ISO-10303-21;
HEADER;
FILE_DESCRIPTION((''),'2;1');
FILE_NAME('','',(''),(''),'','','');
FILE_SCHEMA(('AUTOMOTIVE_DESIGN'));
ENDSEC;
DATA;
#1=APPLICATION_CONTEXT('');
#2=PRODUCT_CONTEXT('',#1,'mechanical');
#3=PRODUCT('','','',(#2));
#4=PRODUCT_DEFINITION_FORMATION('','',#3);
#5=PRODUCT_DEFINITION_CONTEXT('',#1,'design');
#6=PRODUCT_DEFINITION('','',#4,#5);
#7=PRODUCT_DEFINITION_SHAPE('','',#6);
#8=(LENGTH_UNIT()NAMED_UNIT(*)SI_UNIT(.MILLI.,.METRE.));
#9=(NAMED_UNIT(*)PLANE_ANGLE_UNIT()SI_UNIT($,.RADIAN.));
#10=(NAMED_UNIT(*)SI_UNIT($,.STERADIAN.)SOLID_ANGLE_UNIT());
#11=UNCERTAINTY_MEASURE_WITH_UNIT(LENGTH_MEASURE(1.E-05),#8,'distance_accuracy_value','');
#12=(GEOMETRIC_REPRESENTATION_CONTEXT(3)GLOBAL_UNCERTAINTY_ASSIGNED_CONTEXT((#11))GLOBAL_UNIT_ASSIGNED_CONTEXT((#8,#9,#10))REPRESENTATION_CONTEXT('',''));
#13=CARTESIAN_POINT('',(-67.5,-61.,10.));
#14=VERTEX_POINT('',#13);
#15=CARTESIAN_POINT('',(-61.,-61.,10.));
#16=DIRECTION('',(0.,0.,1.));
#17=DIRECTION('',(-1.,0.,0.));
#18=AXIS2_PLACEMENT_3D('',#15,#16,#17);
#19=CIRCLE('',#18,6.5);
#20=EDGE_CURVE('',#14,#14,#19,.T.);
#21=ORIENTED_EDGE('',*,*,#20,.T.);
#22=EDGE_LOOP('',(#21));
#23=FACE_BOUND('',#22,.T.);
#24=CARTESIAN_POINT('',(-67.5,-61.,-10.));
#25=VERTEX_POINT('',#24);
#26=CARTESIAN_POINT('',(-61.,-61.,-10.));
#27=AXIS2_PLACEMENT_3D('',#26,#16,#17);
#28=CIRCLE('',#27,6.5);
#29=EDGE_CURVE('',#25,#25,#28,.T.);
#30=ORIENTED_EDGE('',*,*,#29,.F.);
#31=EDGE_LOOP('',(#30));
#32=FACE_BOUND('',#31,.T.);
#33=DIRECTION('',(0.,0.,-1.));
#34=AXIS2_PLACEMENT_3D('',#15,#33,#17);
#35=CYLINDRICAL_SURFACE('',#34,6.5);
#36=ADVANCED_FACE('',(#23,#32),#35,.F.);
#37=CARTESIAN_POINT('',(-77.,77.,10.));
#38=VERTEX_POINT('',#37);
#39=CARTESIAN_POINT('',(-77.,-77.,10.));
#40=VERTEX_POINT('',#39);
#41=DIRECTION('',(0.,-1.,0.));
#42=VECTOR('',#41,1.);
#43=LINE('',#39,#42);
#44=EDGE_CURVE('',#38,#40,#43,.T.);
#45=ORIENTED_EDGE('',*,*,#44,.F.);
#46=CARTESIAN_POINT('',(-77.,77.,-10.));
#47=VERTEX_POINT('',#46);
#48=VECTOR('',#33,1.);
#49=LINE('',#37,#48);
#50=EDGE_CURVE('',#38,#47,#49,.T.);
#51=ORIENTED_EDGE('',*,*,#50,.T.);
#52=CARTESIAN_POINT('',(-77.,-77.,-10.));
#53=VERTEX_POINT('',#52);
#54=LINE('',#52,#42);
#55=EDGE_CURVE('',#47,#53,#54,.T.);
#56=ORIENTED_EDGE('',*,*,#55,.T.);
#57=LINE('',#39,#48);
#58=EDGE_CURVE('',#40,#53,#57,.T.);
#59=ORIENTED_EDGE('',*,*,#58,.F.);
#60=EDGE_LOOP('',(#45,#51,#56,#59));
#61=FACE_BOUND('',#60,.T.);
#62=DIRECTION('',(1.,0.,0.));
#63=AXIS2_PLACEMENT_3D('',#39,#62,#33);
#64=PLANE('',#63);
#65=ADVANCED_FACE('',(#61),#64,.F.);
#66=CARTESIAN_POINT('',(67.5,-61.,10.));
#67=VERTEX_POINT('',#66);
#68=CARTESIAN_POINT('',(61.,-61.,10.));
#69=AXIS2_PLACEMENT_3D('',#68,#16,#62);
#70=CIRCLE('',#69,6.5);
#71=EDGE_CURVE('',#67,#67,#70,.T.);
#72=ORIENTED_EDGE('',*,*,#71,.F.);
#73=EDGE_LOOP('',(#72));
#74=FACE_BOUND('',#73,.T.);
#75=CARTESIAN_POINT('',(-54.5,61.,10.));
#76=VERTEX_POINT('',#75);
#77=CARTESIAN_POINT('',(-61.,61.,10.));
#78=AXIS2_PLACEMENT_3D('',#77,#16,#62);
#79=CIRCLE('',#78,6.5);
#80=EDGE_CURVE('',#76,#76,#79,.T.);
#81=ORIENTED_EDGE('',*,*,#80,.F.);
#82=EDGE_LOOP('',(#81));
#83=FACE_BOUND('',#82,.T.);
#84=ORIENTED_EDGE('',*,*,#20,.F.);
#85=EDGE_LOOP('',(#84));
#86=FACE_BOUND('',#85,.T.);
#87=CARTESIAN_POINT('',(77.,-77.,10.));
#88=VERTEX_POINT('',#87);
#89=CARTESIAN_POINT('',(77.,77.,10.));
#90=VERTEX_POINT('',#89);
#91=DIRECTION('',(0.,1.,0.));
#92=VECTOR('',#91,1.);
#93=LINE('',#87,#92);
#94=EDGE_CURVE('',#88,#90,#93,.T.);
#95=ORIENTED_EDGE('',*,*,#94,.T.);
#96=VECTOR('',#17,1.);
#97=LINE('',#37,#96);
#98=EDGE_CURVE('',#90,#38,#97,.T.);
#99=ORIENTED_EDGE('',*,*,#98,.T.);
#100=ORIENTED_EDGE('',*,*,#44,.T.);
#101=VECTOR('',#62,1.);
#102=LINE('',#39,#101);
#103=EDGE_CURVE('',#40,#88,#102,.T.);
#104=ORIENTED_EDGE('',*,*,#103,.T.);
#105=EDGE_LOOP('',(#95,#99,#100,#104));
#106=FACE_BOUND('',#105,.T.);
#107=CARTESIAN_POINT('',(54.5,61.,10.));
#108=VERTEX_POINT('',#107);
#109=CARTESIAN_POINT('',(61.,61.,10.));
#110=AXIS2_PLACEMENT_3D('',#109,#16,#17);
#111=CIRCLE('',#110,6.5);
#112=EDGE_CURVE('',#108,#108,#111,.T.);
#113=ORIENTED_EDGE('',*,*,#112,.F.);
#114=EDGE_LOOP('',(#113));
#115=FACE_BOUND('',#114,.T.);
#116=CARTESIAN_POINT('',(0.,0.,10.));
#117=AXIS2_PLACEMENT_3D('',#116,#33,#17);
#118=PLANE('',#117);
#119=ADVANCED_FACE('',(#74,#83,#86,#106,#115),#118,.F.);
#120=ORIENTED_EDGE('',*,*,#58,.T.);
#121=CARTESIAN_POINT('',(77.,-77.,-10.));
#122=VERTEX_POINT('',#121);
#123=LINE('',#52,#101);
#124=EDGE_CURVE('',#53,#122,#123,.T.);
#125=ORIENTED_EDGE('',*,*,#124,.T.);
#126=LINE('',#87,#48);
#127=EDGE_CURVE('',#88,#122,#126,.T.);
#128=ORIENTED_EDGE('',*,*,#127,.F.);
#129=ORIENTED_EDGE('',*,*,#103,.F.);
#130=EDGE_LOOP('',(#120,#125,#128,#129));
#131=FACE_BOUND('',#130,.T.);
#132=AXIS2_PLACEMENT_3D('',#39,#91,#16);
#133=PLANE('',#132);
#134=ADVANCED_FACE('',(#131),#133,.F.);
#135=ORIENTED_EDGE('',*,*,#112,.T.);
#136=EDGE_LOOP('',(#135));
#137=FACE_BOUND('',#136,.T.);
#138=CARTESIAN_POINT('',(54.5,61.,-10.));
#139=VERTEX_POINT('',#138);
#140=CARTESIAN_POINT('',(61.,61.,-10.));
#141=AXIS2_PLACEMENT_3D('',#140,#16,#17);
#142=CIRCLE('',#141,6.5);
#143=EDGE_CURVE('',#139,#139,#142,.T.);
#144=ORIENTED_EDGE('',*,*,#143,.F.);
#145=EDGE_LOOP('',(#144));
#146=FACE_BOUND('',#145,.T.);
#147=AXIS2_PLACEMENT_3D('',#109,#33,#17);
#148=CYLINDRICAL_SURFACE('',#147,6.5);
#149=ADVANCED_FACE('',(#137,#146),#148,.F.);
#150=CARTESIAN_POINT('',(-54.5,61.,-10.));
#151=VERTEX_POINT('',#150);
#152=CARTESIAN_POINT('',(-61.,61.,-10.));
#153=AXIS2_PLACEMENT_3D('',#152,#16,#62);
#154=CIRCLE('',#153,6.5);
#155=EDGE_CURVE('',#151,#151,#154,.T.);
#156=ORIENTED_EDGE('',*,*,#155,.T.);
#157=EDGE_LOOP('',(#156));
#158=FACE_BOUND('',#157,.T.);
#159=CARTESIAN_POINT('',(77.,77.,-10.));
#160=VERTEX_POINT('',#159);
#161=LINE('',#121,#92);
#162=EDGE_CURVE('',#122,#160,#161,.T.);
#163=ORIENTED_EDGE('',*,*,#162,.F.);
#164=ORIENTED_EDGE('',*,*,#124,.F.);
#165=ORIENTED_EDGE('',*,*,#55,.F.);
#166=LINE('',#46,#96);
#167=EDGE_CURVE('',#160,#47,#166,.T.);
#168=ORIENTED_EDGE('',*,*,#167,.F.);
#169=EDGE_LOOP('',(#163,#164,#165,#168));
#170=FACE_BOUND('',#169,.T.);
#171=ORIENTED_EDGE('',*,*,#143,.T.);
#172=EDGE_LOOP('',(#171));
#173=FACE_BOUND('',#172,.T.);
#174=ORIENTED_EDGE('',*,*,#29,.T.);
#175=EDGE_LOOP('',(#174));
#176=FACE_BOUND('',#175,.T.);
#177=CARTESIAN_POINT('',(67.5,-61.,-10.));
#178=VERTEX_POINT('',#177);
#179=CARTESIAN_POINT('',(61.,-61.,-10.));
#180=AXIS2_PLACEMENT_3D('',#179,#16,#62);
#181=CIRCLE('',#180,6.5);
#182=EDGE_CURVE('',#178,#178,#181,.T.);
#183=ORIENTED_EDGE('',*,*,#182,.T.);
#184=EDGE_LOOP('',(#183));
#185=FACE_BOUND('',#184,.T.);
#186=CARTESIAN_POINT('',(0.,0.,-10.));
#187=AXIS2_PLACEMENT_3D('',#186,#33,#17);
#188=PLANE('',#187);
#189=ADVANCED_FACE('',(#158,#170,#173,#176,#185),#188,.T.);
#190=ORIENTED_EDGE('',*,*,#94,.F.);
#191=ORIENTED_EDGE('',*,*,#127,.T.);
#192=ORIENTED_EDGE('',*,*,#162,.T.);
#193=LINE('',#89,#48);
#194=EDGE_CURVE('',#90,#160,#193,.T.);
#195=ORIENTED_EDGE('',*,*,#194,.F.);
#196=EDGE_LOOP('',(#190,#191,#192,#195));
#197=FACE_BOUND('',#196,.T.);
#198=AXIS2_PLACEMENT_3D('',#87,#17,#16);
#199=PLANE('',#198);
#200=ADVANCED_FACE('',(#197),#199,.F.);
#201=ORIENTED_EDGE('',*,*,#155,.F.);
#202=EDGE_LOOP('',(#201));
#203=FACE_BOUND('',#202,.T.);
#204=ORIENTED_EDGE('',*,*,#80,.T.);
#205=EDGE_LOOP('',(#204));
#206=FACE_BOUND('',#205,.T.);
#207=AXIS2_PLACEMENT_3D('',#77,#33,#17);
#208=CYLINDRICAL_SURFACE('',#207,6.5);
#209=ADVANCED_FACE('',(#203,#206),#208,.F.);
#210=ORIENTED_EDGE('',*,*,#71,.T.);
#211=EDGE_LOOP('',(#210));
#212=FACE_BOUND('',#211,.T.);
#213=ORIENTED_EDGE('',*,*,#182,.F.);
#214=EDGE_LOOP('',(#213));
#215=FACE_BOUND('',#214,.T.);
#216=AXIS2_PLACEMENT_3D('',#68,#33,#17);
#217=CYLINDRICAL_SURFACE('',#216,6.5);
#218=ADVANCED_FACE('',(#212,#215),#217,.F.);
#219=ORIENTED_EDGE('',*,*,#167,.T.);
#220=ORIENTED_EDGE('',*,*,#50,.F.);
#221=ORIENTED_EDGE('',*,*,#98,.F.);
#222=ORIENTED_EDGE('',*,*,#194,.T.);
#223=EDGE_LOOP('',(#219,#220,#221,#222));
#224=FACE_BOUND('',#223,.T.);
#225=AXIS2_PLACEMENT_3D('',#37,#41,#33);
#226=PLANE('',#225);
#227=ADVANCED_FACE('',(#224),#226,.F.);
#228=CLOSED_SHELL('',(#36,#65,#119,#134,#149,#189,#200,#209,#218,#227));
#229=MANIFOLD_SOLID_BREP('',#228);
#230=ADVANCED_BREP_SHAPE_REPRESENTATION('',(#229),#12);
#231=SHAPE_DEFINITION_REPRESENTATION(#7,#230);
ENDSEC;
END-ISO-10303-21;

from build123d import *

# Parameters (mm, degrees)
SKETCH1_W           = 154
SKETCH1_H           = 154
SKETCH1_R           = 6.5
BOSS_EXTRUDE1_DEPTH = 10


with BuildPart() as part:
    # Sketch1 → Boss-Extrude1 (new body, symmetric)
    with BuildSketch(Plane.XY):
        Rectangle(SKETCH1_W, SKETCH1_H)
        with Locations((-61, 61)):
            Circle(SKETCH1_R, mode=Mode.SUBTRACT)
        with Locations((61, 61)):
            Circle(SKETCH1_R, mode=Mode.SUBTRACT)
        with Locations((-61, -61)):
            Circle(SKETCH1_R, mode=Mode.SUBTRACT)
        with Locations((61, -61)):
            Circle(SKETCH1_R, mode=Mode.SUBTRACT)
    extrude(amount=BOSS_EXTRUDE1_DEPTH, both=True)


solid = part.part
